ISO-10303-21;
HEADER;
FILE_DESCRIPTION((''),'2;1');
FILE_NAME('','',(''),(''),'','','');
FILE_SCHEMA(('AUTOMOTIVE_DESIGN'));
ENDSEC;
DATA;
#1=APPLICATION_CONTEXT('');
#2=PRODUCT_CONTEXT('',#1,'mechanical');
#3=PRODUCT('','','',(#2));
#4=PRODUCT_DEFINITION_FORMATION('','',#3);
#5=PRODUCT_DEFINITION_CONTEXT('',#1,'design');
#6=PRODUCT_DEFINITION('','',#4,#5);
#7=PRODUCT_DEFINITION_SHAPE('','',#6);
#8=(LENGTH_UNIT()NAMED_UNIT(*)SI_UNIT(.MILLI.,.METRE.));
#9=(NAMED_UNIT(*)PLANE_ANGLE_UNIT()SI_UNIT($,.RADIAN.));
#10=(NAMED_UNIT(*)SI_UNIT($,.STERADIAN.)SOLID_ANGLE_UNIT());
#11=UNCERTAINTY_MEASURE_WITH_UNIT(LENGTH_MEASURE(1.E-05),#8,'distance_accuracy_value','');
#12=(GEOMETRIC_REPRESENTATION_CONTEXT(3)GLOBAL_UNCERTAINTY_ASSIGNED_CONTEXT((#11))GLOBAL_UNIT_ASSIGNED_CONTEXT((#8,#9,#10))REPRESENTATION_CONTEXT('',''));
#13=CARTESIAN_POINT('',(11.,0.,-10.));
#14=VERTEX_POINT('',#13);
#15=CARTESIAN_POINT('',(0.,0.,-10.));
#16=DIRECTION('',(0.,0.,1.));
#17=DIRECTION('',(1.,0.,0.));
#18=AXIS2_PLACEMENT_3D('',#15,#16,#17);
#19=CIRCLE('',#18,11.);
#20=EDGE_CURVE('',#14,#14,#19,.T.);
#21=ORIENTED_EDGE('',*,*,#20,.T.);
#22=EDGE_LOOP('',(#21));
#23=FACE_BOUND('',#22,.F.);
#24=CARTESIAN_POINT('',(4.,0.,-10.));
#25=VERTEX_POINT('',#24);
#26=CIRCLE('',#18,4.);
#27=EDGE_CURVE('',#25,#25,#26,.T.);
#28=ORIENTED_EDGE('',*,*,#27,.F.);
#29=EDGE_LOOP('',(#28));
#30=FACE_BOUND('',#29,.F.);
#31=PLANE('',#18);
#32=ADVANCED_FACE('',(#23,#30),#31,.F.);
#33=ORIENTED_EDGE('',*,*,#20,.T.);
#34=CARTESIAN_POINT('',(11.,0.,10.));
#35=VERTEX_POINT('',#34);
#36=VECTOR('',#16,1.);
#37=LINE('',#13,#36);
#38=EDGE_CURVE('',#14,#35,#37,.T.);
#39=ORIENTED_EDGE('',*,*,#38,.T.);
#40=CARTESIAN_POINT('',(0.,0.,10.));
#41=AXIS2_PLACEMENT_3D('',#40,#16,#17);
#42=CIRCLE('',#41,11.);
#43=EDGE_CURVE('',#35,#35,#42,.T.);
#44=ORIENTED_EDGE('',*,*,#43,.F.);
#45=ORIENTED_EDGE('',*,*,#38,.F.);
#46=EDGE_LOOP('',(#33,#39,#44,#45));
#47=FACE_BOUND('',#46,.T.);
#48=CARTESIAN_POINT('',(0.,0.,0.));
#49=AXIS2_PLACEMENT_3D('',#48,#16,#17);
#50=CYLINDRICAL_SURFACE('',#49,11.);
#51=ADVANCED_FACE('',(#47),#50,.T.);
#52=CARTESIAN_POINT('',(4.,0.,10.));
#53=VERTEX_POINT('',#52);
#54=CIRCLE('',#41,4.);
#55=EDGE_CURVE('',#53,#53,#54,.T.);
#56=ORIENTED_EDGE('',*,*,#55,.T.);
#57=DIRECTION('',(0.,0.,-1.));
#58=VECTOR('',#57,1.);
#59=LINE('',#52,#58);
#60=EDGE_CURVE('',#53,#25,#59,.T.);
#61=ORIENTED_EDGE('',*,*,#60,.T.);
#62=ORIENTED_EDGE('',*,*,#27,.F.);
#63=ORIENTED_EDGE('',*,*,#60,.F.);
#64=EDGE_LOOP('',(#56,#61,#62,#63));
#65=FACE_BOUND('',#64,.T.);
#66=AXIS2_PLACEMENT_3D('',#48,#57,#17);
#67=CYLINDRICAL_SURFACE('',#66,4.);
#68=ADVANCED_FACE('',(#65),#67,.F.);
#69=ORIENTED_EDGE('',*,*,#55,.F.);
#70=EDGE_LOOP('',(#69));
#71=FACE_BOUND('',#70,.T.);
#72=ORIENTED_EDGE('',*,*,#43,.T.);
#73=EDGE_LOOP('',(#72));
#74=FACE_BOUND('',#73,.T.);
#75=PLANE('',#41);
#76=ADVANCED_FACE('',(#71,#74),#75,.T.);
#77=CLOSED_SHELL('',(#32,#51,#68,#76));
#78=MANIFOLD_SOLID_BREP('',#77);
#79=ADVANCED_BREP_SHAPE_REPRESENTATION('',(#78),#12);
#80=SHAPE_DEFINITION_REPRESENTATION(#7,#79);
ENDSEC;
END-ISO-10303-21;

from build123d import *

# Parameters (mm, degrees)
SKETCH_R   = 11
SKETCH_R_2 = 4
PAD_DEPTH  = 10


with BuildPart() as part:
    # Sketch → Pad (new body, symmetric)
    with BuildSketch(Plane.XY):
        Circle(SKETCH_R)
        Circle(SKETCH_R_2, mode=Mode.SUBTRACT)
    extrude(amount=PAD_DEPTH, both=True)


solid = part.part
